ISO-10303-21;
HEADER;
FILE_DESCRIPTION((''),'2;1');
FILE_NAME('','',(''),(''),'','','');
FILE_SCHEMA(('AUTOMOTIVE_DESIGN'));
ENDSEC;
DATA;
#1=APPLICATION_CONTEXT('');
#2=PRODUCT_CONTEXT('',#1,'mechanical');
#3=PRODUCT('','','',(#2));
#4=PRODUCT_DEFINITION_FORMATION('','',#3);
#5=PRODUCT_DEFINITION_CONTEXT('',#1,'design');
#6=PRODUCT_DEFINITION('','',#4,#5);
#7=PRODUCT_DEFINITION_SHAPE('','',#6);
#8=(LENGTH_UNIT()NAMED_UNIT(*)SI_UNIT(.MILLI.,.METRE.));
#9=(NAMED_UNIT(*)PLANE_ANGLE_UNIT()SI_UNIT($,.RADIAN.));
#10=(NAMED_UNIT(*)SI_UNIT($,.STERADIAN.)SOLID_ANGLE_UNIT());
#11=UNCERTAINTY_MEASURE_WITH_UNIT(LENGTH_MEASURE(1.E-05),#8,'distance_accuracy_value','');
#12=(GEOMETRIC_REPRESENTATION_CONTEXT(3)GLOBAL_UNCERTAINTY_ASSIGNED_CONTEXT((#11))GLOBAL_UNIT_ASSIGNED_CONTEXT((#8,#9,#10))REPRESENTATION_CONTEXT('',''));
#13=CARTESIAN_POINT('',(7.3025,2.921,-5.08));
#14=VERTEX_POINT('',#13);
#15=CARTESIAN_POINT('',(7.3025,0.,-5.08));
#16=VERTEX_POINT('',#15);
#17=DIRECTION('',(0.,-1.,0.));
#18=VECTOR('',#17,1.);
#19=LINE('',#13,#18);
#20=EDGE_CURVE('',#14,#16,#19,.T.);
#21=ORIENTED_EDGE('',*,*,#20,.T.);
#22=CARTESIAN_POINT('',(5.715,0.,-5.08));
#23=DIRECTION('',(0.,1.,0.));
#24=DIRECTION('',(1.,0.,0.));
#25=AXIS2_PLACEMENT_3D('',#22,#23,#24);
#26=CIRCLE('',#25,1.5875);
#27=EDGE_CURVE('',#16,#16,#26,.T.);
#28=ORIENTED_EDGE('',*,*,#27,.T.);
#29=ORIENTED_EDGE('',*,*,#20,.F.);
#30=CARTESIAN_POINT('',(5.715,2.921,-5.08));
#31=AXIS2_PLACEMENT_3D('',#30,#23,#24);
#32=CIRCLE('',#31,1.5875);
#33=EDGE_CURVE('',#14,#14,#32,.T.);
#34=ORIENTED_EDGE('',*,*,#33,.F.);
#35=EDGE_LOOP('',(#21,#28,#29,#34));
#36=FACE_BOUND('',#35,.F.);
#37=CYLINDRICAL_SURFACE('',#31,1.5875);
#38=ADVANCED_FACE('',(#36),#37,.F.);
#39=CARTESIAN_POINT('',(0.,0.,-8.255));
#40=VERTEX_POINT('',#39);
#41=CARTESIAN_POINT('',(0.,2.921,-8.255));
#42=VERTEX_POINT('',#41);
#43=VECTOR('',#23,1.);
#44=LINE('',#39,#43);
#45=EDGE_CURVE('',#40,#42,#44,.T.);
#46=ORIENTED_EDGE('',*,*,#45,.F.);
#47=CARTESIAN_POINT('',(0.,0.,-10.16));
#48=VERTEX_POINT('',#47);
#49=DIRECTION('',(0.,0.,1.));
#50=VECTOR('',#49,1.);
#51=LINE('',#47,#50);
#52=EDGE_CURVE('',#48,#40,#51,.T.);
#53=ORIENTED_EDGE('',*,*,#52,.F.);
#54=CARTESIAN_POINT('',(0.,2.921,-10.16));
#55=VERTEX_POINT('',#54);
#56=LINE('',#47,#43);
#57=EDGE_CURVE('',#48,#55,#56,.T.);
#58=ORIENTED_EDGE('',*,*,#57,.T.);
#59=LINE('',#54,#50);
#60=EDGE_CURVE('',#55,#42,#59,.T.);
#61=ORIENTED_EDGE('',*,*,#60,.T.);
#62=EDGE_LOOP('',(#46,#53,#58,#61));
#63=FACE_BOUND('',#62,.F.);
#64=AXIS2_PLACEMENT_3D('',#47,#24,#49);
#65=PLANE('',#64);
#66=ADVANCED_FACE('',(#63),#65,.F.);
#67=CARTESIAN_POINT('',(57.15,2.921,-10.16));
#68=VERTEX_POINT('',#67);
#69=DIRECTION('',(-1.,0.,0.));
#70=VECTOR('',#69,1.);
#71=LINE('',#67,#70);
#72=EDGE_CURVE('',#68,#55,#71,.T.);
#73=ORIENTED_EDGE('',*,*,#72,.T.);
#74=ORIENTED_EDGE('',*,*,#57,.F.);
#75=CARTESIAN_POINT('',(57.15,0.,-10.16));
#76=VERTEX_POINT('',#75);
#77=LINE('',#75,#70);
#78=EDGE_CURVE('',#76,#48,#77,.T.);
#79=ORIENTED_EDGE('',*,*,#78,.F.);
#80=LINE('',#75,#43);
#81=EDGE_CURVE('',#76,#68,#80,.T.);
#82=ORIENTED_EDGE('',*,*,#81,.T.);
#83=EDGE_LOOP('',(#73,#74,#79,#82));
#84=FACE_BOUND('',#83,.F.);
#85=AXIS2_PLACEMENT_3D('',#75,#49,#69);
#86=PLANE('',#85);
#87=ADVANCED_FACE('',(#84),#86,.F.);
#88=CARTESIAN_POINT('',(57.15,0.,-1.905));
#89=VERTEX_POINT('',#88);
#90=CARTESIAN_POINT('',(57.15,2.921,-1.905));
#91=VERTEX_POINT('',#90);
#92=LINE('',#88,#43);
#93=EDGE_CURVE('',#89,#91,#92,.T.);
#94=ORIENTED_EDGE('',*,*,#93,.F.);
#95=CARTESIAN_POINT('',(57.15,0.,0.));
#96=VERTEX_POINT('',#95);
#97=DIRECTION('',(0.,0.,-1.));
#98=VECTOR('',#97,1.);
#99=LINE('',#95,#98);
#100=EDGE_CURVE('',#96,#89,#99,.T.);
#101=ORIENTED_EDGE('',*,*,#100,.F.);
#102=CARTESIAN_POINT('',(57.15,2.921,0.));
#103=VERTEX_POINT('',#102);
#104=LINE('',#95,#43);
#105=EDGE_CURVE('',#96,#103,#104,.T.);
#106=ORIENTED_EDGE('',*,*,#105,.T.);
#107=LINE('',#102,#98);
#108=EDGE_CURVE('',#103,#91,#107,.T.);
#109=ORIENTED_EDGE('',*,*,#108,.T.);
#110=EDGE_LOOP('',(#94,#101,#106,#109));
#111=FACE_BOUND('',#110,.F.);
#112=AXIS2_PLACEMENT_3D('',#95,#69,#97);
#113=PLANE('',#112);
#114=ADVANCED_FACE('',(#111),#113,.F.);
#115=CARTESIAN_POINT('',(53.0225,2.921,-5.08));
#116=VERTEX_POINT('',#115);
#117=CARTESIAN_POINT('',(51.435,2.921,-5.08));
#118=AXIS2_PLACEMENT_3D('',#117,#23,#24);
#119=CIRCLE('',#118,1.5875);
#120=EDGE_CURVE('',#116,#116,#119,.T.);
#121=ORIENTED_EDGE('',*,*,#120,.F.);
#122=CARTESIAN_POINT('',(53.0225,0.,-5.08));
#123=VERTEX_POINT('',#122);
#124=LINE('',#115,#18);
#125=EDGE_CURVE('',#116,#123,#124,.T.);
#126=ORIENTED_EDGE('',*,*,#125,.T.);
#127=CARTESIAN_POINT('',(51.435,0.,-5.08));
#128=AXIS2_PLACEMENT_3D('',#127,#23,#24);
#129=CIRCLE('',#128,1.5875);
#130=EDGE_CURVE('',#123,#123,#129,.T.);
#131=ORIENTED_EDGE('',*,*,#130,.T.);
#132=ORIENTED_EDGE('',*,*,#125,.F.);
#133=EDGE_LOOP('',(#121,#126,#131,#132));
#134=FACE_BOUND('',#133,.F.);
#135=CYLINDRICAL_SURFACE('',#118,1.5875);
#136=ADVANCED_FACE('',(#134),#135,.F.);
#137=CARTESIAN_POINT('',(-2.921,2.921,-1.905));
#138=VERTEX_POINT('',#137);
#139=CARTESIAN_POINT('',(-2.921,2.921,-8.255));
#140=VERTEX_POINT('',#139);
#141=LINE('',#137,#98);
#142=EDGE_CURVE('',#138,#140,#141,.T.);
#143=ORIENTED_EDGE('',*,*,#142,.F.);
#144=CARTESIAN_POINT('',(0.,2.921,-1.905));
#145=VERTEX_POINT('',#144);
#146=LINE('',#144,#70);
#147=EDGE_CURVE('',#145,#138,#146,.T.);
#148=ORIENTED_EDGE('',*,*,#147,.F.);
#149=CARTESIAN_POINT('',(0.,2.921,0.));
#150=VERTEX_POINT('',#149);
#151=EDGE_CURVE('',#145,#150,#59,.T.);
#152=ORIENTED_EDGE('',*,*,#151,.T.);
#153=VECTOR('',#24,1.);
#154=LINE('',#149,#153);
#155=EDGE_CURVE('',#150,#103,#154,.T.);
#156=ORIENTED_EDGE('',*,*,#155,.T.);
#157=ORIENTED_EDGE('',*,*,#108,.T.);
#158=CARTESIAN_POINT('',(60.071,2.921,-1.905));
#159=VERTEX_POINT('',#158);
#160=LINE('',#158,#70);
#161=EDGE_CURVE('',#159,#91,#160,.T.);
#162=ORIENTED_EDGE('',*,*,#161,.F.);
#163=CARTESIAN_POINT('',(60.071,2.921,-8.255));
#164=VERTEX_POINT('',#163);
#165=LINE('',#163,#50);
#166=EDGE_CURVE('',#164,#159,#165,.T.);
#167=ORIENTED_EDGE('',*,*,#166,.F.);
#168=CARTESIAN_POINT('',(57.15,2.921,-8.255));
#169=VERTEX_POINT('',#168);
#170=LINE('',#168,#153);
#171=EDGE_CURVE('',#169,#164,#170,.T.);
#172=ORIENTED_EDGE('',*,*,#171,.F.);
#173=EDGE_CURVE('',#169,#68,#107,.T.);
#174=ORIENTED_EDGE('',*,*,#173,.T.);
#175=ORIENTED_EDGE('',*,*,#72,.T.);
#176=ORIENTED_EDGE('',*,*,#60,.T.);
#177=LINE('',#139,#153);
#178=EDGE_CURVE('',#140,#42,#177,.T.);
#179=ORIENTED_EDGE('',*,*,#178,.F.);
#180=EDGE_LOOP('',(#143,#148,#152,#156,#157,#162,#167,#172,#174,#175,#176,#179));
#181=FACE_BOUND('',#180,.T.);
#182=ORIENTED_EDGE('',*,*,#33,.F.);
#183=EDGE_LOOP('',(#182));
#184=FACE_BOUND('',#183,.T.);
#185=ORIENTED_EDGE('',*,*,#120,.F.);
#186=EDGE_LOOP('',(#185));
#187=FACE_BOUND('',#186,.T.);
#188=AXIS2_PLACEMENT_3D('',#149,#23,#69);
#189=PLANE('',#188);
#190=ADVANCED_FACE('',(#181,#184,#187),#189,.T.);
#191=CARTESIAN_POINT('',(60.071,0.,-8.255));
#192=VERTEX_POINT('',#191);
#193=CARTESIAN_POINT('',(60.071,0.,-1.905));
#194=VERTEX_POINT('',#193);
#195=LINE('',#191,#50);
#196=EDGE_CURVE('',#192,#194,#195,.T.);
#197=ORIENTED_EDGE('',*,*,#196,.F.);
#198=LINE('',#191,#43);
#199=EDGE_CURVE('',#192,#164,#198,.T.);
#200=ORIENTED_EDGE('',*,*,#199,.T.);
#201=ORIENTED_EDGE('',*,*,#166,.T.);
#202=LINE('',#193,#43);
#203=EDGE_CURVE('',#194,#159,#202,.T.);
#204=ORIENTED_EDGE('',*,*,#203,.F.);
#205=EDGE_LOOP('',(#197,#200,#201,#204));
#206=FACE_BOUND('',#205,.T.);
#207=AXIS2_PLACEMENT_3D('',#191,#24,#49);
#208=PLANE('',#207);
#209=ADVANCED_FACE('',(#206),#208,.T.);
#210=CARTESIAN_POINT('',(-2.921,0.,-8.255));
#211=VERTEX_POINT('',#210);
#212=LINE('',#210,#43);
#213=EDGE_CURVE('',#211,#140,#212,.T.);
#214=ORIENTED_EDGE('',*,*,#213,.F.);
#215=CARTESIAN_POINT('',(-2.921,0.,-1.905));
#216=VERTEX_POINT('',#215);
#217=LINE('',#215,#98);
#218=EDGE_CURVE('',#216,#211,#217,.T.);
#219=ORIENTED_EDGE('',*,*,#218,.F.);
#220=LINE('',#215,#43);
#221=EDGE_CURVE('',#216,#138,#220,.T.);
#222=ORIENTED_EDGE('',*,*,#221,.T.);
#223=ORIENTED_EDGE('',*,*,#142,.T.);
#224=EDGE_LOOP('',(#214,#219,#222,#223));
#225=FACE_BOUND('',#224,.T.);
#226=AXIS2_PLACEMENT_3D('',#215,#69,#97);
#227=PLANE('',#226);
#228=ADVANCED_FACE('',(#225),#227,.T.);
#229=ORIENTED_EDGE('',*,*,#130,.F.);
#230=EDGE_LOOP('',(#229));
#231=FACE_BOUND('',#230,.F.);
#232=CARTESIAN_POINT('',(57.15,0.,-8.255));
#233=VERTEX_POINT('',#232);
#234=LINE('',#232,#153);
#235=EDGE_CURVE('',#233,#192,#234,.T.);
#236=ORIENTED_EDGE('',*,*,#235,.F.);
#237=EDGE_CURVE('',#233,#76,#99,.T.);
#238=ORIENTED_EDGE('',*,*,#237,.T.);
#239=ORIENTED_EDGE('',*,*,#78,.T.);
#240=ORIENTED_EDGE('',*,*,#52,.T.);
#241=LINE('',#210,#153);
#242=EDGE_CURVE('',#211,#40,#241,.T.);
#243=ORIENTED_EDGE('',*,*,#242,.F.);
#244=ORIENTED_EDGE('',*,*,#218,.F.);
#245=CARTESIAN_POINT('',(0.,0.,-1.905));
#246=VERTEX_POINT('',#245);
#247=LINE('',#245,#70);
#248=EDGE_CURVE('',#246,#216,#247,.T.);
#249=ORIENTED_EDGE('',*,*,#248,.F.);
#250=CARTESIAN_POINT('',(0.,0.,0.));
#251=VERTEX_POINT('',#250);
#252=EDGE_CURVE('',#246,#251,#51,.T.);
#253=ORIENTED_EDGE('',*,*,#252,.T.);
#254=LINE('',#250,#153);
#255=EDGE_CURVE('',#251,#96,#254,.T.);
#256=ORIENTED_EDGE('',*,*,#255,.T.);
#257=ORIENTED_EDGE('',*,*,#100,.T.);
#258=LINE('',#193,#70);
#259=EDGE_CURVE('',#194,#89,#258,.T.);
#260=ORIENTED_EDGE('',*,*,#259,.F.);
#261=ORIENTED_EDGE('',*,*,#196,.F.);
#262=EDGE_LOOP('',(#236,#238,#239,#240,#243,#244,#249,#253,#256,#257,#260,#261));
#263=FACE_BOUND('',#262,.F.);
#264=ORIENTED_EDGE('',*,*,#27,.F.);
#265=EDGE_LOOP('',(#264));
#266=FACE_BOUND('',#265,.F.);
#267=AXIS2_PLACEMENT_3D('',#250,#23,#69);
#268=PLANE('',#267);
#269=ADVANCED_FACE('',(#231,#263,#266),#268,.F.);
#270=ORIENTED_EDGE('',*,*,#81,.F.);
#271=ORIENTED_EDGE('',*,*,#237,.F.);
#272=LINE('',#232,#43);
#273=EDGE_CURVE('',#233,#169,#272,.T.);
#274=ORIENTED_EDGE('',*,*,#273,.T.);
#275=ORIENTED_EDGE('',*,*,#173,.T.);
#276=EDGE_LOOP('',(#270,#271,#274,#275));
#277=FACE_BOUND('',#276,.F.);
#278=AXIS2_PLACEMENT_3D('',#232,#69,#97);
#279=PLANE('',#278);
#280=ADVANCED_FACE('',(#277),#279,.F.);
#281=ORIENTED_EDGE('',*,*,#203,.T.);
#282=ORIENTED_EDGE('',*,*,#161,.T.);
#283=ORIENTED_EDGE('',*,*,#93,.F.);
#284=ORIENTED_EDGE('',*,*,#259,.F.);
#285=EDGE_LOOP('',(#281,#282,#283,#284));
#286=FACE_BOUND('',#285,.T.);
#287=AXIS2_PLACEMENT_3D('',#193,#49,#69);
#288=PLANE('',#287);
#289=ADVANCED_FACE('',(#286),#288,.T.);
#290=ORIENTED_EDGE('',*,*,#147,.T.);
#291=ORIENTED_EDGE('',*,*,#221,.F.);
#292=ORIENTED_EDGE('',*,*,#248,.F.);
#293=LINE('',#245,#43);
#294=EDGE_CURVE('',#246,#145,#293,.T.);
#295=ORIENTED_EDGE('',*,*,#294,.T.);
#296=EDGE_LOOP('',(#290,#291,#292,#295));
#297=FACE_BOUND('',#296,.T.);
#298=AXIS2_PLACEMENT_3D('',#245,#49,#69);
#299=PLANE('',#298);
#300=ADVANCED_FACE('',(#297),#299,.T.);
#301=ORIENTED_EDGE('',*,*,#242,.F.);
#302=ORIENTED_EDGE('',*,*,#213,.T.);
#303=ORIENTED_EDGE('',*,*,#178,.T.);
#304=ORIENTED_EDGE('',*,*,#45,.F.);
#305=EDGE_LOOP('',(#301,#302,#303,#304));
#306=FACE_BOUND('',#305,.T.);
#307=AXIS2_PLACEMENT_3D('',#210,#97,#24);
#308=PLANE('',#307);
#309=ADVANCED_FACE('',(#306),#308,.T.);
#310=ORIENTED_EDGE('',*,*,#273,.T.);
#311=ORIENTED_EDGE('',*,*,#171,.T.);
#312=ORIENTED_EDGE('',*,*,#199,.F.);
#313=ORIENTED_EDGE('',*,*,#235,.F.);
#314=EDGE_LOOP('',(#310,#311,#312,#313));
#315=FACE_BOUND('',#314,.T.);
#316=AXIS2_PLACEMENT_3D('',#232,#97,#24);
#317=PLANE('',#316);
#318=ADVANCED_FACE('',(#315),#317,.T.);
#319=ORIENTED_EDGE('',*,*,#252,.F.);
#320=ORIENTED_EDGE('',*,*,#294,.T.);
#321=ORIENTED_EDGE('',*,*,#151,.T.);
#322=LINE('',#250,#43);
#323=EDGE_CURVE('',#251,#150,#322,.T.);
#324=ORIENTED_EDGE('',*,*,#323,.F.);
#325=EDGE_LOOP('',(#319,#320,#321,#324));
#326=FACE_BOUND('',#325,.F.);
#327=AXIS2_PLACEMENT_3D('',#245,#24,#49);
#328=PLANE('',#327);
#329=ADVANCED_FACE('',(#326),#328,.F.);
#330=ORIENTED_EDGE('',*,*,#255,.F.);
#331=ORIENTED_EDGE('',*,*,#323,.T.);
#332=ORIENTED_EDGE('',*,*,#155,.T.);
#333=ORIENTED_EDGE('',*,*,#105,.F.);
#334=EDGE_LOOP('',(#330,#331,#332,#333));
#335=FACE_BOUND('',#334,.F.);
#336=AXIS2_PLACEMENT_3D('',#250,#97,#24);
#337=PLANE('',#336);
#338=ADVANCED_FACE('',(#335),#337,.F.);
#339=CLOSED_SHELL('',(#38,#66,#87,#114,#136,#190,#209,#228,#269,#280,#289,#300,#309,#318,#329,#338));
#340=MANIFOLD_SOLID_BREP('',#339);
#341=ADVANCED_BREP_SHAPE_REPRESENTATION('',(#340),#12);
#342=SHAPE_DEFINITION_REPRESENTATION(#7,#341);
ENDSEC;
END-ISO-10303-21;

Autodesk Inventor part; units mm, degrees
ref_plane "YZ Plane" through (0, 0, 0) normal (1, 0, 0) x (0, 1, 0)
ref_plane "XZ Plane" through (0, 0, 0) normal (0, 1, 0) x (-1, 0, 0)
ref_plane "XY Plane" through (0, 0, 0) normal (0, 0, 1) x (1, 0, 0)
sketch "Sketch1" plane through (0, 0, 0) normal (0, 1, 0) x (-1, 0, 0)
  line L0 (0, 0) -> (-57.15, 0)
  line L1 (-57.15, 0) -> (-57.15, -10.16)
  line L2 (-57.15, -10.16) -> (0, -10.16)
  line L3 (0, -10.16) -> (0, 0)
  line L4 (0, -1.905) -> (2.921, -1.905)
  line L5 (2.921, -1.905) -> (2.921, -8.255)
  line L6 (2.921, -8.255) -> (0, -8.255)
  line L7 (0, -8.255) -> (0, -1.905)
  line L8 (-60.071, -1.905) -> (-57.15, -1.905)
  line L9 (-57.15, -1.905) -> (-57.15, -8.255)
  line L10 (-57.15, -8.255) -> (-60.071, -8.255)
  line L11 (-60.071, -8.255) -> (-60.071, -1.905)
  dimension "d0" = 57.15
  dimension "d1" = 10.16
  dimension "d2" = 2.921
  dimension "d3" = 6.35
  dimension "d4" = 1.905
  dimension "d7" = 60.071
extrude "Extrusion1" add sketch "Sketch1" along normal blind 2.921
sketch "Sketch2" plane through (0, 2.921, 0) normal (0, 1, 0) x (1, 0, 0)
  circle A0 centre (5.715, 5.08) radius 1.5875
  circle A1 centre (51.435, 5.08) radius 1.5875
  line L0 (0, 0) -> (57.15, 0) projected
  line L1 (0, 1.905) -> (0, 0) projected
  dimension "d14" = 3.175
  dimension "d15" = 3.175
  dimension "d16" = 5.08
  dimension "d17" = 5.08
  dimension "d18" = 45.72
  dimension "d19" = 5.715
extrude "Extrusion2" cut sketch "Sketch2" against normal blind 2.921
properties part number "camera_mount"
